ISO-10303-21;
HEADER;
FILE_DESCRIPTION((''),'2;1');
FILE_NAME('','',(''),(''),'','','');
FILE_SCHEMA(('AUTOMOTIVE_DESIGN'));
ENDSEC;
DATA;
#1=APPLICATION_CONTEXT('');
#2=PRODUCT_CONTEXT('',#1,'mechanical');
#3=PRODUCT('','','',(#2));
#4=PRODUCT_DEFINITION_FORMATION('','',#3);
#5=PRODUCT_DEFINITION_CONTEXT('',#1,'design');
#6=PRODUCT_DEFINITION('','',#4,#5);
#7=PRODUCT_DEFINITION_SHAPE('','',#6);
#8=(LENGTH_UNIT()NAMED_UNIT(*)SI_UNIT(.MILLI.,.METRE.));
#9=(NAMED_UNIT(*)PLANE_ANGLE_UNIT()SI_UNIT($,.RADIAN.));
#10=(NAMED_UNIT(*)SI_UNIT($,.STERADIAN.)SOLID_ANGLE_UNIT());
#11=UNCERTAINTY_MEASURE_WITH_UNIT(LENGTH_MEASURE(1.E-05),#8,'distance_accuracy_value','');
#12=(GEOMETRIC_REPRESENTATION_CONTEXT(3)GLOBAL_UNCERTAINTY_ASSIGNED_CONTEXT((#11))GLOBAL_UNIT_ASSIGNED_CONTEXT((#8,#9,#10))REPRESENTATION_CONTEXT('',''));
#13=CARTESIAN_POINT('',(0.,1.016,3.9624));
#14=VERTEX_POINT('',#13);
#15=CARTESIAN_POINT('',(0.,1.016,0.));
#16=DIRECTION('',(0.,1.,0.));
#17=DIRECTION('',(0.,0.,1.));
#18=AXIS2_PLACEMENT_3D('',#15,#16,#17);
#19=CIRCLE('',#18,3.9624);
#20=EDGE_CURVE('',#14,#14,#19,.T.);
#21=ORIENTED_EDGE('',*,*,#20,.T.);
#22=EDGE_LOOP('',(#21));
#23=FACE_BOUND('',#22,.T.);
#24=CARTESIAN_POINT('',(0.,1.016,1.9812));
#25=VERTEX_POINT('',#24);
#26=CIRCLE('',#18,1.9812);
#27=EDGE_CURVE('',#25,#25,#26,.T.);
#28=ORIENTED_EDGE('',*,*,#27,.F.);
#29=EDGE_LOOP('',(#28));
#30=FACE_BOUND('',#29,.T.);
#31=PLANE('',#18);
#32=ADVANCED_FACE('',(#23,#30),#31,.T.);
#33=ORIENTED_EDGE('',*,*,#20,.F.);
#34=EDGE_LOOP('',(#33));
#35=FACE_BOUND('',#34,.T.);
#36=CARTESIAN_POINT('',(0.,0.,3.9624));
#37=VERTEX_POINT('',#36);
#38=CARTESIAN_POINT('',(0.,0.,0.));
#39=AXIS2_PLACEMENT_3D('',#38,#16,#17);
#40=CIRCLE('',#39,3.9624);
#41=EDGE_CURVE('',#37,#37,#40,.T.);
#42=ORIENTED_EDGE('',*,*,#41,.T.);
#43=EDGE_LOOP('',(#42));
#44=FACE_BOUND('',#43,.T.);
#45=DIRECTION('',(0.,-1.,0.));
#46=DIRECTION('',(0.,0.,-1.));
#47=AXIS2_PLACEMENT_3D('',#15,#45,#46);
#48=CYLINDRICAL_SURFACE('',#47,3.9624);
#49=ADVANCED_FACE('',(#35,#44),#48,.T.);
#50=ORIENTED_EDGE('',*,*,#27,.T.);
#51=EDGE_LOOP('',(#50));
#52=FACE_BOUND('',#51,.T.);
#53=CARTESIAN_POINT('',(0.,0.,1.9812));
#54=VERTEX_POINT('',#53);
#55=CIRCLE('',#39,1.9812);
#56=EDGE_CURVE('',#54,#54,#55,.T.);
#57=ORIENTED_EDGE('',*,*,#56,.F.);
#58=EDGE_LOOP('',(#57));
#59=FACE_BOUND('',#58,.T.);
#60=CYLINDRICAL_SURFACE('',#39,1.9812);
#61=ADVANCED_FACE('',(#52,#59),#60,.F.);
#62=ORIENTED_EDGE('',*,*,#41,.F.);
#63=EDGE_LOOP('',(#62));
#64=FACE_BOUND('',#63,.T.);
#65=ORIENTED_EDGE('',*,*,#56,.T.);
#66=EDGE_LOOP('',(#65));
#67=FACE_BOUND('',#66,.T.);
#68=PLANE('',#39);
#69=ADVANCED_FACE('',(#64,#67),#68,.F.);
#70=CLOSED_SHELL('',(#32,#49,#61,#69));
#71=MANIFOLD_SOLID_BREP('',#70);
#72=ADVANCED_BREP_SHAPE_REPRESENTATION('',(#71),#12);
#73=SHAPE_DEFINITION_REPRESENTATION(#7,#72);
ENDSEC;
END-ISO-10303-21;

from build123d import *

# Parameters (mm, degrees)
SKETCH1_R           = 3.9624
BOSS_EXTRUDE1_DEPTH = 1.016
SKETCH5_R           = 1.9812
CUT_EXTRUDE1_DEPTH  = 2.016


with BuildPart() as part:
    # Sketch1 → Boss-Extrude1 (new body)
    with BuildSketch(Plane(origin=(0, 0, 0), x_dir=(1, 0, 0), z_dir=(0, 1, 0))):
        Circle(SKETCH1_R)
    extrude(amount=BOSS_EXTRUDE1_DEPTH)

    # Sketch5 → Cut-Extrude1 (cut, through all)
    with BuildSketch(Plane(origin=(0, 1.016, 0), x_dir=(-1, 0, 0), z_dir=(0, 1, 0))):
        Circle(SKETCH5_R)
    extrude(amount=-CUT_EXTRUDE1_DEPTH, mode=Mode.SUBTRACT)


solid = part.part
